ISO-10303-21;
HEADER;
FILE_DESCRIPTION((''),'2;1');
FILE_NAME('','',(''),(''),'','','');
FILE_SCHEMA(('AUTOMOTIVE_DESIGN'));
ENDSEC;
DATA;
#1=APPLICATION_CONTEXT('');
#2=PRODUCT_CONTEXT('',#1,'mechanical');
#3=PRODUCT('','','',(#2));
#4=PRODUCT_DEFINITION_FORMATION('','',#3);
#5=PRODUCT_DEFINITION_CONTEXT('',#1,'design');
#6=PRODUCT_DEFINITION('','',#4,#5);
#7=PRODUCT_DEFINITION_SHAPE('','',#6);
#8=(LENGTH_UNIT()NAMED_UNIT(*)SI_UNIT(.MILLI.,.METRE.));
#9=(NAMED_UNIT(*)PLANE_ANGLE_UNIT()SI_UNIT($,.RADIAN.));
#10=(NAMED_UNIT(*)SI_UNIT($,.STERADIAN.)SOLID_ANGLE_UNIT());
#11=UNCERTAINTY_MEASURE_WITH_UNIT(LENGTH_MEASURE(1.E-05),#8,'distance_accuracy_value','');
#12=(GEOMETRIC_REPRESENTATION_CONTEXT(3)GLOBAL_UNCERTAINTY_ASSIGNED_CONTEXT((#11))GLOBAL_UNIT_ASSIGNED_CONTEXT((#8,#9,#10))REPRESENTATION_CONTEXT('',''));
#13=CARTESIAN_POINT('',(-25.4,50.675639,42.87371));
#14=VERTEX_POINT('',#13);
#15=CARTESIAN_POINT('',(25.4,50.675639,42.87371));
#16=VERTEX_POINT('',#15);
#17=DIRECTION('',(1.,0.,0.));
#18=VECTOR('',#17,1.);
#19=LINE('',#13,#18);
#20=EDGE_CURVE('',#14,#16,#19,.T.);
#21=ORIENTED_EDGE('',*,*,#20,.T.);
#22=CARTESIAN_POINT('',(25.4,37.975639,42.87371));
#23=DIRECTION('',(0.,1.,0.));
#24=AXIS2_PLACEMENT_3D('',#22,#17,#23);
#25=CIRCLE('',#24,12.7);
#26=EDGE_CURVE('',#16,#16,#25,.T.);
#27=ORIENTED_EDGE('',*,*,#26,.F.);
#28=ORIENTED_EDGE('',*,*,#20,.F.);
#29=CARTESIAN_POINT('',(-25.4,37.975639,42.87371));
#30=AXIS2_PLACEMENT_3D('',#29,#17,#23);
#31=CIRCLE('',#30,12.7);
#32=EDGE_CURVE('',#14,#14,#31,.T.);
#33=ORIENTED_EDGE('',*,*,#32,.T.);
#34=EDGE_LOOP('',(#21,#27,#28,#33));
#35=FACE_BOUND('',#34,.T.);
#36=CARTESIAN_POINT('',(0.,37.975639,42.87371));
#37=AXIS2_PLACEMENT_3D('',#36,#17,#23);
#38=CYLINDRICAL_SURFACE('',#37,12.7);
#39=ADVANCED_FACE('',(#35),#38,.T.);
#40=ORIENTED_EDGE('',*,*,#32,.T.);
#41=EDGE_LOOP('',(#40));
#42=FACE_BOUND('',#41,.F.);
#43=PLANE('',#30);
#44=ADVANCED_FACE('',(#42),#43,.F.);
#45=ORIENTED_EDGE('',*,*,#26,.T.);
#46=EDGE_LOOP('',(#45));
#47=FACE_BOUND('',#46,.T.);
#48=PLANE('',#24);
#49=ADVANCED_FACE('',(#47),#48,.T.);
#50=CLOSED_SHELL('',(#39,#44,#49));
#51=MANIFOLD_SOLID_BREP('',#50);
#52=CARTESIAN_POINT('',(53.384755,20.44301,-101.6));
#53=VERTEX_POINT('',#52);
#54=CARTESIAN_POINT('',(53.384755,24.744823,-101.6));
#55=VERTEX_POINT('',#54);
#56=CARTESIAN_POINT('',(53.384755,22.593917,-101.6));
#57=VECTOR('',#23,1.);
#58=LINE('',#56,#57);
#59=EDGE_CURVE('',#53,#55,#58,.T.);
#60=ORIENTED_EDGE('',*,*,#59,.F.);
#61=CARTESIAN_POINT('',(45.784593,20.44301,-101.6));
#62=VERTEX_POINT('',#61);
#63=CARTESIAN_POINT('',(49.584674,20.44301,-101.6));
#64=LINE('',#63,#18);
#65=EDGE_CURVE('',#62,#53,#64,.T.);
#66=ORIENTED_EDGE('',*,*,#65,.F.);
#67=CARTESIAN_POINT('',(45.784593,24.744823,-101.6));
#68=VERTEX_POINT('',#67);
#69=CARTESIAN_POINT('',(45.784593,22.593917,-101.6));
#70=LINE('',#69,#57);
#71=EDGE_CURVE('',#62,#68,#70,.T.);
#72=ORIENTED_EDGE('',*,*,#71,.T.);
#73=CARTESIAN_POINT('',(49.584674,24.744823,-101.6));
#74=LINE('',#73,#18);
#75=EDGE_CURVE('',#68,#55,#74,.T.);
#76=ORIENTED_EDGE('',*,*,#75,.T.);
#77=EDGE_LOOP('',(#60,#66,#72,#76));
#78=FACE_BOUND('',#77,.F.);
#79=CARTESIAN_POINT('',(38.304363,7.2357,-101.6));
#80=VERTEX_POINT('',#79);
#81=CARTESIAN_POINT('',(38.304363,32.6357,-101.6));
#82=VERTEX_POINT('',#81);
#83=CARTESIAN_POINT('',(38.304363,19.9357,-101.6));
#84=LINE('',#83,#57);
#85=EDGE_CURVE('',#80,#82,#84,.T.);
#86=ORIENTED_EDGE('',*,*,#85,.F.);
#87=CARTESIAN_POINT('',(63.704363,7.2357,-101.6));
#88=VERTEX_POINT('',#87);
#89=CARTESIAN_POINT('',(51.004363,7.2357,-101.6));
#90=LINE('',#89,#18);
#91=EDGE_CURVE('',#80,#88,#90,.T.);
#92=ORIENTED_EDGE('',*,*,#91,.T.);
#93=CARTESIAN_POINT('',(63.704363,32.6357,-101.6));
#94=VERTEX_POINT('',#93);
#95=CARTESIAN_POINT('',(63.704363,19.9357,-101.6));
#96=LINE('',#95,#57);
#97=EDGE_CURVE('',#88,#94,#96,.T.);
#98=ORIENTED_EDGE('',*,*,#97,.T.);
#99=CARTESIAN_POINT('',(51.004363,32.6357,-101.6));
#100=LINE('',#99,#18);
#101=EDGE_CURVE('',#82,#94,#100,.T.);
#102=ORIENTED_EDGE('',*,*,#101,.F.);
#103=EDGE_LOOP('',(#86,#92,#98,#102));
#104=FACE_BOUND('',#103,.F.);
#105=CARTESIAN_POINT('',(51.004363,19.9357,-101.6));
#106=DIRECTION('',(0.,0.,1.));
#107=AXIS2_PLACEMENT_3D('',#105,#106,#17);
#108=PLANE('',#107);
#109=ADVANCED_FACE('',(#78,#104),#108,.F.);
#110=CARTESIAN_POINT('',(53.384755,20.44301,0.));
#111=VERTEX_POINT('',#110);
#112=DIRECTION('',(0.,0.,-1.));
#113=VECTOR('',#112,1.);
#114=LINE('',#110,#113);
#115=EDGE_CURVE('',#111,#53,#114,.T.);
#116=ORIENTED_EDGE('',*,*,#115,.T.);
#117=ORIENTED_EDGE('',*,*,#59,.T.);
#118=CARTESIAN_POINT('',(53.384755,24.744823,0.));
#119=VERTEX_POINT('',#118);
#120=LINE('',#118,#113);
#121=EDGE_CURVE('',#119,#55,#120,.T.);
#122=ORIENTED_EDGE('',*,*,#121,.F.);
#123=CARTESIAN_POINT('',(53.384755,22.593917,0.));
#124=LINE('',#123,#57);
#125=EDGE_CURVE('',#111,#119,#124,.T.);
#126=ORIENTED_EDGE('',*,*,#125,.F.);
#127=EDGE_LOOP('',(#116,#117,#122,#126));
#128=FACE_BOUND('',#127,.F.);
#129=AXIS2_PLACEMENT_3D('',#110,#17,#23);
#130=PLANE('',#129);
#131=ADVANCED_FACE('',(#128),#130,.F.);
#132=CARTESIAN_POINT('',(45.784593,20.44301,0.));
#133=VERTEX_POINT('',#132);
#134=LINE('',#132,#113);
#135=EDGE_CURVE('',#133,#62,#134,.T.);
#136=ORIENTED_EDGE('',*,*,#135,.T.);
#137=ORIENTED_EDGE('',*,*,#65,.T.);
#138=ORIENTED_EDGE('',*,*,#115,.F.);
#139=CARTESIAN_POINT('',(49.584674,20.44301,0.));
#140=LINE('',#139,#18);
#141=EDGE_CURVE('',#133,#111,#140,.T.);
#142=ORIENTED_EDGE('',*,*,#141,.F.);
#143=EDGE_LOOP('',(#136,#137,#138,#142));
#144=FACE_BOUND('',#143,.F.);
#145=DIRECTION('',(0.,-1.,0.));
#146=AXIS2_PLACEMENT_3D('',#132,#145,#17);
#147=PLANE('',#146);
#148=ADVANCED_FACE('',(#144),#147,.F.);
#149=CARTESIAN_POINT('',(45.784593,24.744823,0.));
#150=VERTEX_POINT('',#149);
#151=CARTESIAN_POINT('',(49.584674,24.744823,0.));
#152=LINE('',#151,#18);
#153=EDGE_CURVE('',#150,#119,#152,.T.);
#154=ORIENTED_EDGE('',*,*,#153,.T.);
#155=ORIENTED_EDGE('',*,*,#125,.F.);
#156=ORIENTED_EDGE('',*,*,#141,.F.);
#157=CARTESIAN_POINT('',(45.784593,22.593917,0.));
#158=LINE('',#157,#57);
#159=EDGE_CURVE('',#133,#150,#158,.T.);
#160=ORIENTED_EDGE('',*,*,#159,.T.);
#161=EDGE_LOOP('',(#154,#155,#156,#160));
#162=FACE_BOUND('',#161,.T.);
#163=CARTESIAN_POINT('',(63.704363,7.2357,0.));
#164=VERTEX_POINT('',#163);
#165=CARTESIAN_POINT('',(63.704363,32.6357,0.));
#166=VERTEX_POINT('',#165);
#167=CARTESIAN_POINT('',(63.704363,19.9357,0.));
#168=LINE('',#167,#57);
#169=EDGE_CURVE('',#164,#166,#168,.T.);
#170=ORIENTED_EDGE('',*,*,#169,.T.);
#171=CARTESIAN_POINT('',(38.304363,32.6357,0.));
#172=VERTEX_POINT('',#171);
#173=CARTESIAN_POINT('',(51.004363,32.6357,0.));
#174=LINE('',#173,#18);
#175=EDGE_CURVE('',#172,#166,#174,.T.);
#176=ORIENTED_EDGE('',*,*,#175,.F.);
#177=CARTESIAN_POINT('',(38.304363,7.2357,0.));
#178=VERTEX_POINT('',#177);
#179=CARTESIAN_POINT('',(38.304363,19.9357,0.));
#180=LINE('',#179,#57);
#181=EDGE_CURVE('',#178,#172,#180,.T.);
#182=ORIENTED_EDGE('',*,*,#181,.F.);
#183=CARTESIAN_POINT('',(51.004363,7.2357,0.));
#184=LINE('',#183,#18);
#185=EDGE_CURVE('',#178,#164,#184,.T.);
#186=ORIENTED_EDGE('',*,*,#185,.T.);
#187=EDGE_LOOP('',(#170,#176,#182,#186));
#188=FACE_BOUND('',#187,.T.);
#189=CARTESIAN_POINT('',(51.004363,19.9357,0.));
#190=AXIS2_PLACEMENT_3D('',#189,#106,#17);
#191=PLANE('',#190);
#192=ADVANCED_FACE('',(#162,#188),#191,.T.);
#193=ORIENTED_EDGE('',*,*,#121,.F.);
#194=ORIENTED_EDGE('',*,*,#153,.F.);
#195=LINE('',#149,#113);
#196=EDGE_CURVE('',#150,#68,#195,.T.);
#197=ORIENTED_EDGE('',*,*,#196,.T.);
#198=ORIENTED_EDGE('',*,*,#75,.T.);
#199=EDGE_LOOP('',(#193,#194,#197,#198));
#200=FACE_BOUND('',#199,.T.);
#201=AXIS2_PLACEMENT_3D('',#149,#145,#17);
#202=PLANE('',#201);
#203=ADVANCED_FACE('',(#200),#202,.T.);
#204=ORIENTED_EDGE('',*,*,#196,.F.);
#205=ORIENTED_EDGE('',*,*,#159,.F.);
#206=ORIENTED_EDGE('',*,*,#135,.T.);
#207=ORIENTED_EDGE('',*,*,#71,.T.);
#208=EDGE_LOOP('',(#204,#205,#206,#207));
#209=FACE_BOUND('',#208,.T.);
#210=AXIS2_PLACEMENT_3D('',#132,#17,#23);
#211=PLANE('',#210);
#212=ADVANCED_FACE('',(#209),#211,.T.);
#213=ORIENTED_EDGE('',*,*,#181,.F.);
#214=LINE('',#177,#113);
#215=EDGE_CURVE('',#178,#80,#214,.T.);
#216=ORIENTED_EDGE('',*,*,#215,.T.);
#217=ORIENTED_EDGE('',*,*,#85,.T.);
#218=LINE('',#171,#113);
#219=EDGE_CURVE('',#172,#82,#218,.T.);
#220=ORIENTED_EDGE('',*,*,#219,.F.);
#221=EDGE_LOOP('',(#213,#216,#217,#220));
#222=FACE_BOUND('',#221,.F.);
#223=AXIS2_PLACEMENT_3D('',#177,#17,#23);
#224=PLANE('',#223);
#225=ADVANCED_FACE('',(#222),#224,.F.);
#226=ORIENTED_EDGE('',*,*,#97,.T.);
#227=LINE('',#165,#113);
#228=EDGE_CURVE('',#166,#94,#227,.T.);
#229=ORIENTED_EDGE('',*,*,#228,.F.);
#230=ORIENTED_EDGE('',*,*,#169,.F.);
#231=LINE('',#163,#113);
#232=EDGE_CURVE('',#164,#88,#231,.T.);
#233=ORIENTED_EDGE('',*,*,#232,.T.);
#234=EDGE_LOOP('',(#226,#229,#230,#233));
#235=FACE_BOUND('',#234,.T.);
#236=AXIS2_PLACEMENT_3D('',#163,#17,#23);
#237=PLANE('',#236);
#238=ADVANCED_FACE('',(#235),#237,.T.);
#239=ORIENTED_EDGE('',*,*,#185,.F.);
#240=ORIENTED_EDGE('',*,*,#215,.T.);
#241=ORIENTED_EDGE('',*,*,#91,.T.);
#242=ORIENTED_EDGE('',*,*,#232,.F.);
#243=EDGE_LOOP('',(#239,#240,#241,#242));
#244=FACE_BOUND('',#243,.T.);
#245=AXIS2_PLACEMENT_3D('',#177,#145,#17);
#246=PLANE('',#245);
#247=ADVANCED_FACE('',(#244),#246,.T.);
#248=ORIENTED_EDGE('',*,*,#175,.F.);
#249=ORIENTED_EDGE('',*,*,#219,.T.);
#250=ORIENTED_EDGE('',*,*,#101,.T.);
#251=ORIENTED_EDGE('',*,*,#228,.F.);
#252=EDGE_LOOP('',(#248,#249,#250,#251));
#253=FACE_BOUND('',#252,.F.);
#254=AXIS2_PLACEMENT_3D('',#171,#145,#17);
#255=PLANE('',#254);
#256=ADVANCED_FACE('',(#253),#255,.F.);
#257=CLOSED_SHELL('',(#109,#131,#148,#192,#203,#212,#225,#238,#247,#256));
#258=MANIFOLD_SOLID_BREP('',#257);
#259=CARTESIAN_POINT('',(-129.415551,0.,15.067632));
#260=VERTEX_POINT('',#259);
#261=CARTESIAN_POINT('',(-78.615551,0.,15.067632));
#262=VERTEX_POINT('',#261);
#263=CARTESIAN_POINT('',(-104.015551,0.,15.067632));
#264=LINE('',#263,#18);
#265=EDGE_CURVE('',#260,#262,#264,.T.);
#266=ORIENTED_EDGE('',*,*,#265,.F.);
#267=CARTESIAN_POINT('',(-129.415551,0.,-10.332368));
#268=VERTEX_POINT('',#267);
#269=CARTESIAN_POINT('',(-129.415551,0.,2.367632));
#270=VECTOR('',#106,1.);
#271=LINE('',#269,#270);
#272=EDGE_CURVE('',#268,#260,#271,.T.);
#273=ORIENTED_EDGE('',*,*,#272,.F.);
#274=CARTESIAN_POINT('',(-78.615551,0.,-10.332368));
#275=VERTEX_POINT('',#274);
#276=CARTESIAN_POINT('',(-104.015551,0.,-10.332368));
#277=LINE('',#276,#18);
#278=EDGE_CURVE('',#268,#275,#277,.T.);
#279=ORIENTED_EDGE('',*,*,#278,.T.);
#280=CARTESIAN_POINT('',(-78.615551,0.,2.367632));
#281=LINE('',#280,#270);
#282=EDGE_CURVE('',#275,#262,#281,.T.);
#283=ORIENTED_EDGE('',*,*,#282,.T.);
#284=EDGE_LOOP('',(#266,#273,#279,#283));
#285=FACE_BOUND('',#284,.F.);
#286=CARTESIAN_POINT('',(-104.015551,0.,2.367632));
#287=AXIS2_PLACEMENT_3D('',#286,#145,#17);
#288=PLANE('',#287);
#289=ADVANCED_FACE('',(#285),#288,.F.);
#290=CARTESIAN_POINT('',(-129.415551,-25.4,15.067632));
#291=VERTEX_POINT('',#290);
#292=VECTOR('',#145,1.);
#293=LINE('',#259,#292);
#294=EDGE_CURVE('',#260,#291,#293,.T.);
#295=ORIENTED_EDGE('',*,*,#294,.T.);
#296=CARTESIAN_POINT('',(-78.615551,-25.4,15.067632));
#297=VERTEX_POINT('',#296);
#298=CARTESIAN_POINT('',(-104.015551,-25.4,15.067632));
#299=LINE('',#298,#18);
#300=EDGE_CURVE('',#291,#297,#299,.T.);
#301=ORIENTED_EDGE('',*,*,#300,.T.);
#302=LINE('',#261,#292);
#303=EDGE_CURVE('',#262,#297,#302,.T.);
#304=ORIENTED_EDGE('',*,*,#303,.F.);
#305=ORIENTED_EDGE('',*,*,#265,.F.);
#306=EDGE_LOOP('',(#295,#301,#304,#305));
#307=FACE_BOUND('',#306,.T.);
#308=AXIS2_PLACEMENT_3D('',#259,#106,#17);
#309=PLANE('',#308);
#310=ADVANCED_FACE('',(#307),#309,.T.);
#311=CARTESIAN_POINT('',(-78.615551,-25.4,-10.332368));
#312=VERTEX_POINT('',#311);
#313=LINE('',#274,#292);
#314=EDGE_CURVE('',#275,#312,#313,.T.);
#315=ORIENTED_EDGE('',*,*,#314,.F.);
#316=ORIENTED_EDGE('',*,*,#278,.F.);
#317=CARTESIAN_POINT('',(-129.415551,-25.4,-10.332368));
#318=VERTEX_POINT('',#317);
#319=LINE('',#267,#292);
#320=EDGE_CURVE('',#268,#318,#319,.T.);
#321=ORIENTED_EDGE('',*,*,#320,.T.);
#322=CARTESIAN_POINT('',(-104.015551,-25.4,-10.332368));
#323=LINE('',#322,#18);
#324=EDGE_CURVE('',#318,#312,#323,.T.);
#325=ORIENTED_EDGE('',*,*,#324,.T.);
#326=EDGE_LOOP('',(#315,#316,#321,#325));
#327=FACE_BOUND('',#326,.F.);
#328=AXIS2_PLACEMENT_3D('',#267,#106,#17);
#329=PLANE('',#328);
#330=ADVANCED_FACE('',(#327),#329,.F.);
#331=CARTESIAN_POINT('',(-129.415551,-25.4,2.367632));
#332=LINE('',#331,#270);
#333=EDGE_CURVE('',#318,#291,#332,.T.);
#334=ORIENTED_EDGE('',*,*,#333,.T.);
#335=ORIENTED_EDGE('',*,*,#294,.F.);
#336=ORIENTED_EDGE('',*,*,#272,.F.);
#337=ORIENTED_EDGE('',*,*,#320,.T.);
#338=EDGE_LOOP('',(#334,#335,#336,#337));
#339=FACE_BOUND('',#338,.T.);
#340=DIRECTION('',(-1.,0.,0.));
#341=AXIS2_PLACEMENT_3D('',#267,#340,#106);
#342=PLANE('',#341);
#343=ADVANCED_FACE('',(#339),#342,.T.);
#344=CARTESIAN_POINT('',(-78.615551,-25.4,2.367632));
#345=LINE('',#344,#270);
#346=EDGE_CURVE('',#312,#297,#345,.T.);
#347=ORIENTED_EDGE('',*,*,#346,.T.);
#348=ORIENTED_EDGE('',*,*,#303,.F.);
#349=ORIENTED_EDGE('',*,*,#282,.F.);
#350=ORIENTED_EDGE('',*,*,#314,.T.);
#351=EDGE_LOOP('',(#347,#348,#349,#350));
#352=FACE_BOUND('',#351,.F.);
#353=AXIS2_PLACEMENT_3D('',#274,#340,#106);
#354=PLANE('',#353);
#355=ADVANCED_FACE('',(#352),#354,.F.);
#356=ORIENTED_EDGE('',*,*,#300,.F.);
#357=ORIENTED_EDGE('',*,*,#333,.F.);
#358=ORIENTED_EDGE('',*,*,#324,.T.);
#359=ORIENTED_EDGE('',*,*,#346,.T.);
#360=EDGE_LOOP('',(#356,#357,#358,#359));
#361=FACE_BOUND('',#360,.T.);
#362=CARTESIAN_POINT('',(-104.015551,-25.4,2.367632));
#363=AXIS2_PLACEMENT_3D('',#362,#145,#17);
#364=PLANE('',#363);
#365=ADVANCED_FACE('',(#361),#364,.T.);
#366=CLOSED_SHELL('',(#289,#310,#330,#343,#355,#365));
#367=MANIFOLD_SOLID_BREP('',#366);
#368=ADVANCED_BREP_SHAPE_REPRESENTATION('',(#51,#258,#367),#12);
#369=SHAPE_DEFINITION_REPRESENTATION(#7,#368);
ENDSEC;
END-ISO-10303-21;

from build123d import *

# Parameters (mm, degrees)
F0_W     = 50.8
F0_H     = 25.4
F1_DEPTH = 25.4
F2_W     = 25.4
F2_H     = 25.4
F2_W_2   = 7.600162
F2_H_2   = 4.301813
F3_DEPTH = 101.6
F4_R     = 12.7
F5_DEPTH = 25.4
F6_DEPTH = 25.4


with BuildPart() as f1:
    # F0 (on Front) → F1 (new body)
    with BuildSketch(Plane.XZ):
        with Locations((-104.015551, 2.367632)):
            Rectangle(F0_W, F0_H)
    extrude(amount=F1_DEPTH)


with BuildPart() as f3:
    # F2 (on Top) → F3 (new body)
    with BuildSketch(Plane.XY):
        with Locations((51.004363, 19.9357)):
            Rectangle(F2_W, F2_H)
        with Locations((49.584674, 22.593917)):
            Rectangle(F2_W_2, F2_H_2, mode=Mode.SUBTRACT)
    extrude(amount=-F3_DEPTH)


with BuildPart() as f5:
    # F4 (on Right) → F5 (new body)
    with BuildSketch(Plane.YZ):
        with Locations((37.975639, 42.87371)):
            Circle(F4_R)
    extrude(amount=F5_DEPTH)

    # F4 (on Right) → F6 (join)
    with BuildSketch(Plane.YZ):
        with Locations((37.975639, 42.87371)):
            Circle(F4_R)
    extrude(amount=-F6_DEPTH)


solid = Compound([f1.part, f3.part, f5.part])
